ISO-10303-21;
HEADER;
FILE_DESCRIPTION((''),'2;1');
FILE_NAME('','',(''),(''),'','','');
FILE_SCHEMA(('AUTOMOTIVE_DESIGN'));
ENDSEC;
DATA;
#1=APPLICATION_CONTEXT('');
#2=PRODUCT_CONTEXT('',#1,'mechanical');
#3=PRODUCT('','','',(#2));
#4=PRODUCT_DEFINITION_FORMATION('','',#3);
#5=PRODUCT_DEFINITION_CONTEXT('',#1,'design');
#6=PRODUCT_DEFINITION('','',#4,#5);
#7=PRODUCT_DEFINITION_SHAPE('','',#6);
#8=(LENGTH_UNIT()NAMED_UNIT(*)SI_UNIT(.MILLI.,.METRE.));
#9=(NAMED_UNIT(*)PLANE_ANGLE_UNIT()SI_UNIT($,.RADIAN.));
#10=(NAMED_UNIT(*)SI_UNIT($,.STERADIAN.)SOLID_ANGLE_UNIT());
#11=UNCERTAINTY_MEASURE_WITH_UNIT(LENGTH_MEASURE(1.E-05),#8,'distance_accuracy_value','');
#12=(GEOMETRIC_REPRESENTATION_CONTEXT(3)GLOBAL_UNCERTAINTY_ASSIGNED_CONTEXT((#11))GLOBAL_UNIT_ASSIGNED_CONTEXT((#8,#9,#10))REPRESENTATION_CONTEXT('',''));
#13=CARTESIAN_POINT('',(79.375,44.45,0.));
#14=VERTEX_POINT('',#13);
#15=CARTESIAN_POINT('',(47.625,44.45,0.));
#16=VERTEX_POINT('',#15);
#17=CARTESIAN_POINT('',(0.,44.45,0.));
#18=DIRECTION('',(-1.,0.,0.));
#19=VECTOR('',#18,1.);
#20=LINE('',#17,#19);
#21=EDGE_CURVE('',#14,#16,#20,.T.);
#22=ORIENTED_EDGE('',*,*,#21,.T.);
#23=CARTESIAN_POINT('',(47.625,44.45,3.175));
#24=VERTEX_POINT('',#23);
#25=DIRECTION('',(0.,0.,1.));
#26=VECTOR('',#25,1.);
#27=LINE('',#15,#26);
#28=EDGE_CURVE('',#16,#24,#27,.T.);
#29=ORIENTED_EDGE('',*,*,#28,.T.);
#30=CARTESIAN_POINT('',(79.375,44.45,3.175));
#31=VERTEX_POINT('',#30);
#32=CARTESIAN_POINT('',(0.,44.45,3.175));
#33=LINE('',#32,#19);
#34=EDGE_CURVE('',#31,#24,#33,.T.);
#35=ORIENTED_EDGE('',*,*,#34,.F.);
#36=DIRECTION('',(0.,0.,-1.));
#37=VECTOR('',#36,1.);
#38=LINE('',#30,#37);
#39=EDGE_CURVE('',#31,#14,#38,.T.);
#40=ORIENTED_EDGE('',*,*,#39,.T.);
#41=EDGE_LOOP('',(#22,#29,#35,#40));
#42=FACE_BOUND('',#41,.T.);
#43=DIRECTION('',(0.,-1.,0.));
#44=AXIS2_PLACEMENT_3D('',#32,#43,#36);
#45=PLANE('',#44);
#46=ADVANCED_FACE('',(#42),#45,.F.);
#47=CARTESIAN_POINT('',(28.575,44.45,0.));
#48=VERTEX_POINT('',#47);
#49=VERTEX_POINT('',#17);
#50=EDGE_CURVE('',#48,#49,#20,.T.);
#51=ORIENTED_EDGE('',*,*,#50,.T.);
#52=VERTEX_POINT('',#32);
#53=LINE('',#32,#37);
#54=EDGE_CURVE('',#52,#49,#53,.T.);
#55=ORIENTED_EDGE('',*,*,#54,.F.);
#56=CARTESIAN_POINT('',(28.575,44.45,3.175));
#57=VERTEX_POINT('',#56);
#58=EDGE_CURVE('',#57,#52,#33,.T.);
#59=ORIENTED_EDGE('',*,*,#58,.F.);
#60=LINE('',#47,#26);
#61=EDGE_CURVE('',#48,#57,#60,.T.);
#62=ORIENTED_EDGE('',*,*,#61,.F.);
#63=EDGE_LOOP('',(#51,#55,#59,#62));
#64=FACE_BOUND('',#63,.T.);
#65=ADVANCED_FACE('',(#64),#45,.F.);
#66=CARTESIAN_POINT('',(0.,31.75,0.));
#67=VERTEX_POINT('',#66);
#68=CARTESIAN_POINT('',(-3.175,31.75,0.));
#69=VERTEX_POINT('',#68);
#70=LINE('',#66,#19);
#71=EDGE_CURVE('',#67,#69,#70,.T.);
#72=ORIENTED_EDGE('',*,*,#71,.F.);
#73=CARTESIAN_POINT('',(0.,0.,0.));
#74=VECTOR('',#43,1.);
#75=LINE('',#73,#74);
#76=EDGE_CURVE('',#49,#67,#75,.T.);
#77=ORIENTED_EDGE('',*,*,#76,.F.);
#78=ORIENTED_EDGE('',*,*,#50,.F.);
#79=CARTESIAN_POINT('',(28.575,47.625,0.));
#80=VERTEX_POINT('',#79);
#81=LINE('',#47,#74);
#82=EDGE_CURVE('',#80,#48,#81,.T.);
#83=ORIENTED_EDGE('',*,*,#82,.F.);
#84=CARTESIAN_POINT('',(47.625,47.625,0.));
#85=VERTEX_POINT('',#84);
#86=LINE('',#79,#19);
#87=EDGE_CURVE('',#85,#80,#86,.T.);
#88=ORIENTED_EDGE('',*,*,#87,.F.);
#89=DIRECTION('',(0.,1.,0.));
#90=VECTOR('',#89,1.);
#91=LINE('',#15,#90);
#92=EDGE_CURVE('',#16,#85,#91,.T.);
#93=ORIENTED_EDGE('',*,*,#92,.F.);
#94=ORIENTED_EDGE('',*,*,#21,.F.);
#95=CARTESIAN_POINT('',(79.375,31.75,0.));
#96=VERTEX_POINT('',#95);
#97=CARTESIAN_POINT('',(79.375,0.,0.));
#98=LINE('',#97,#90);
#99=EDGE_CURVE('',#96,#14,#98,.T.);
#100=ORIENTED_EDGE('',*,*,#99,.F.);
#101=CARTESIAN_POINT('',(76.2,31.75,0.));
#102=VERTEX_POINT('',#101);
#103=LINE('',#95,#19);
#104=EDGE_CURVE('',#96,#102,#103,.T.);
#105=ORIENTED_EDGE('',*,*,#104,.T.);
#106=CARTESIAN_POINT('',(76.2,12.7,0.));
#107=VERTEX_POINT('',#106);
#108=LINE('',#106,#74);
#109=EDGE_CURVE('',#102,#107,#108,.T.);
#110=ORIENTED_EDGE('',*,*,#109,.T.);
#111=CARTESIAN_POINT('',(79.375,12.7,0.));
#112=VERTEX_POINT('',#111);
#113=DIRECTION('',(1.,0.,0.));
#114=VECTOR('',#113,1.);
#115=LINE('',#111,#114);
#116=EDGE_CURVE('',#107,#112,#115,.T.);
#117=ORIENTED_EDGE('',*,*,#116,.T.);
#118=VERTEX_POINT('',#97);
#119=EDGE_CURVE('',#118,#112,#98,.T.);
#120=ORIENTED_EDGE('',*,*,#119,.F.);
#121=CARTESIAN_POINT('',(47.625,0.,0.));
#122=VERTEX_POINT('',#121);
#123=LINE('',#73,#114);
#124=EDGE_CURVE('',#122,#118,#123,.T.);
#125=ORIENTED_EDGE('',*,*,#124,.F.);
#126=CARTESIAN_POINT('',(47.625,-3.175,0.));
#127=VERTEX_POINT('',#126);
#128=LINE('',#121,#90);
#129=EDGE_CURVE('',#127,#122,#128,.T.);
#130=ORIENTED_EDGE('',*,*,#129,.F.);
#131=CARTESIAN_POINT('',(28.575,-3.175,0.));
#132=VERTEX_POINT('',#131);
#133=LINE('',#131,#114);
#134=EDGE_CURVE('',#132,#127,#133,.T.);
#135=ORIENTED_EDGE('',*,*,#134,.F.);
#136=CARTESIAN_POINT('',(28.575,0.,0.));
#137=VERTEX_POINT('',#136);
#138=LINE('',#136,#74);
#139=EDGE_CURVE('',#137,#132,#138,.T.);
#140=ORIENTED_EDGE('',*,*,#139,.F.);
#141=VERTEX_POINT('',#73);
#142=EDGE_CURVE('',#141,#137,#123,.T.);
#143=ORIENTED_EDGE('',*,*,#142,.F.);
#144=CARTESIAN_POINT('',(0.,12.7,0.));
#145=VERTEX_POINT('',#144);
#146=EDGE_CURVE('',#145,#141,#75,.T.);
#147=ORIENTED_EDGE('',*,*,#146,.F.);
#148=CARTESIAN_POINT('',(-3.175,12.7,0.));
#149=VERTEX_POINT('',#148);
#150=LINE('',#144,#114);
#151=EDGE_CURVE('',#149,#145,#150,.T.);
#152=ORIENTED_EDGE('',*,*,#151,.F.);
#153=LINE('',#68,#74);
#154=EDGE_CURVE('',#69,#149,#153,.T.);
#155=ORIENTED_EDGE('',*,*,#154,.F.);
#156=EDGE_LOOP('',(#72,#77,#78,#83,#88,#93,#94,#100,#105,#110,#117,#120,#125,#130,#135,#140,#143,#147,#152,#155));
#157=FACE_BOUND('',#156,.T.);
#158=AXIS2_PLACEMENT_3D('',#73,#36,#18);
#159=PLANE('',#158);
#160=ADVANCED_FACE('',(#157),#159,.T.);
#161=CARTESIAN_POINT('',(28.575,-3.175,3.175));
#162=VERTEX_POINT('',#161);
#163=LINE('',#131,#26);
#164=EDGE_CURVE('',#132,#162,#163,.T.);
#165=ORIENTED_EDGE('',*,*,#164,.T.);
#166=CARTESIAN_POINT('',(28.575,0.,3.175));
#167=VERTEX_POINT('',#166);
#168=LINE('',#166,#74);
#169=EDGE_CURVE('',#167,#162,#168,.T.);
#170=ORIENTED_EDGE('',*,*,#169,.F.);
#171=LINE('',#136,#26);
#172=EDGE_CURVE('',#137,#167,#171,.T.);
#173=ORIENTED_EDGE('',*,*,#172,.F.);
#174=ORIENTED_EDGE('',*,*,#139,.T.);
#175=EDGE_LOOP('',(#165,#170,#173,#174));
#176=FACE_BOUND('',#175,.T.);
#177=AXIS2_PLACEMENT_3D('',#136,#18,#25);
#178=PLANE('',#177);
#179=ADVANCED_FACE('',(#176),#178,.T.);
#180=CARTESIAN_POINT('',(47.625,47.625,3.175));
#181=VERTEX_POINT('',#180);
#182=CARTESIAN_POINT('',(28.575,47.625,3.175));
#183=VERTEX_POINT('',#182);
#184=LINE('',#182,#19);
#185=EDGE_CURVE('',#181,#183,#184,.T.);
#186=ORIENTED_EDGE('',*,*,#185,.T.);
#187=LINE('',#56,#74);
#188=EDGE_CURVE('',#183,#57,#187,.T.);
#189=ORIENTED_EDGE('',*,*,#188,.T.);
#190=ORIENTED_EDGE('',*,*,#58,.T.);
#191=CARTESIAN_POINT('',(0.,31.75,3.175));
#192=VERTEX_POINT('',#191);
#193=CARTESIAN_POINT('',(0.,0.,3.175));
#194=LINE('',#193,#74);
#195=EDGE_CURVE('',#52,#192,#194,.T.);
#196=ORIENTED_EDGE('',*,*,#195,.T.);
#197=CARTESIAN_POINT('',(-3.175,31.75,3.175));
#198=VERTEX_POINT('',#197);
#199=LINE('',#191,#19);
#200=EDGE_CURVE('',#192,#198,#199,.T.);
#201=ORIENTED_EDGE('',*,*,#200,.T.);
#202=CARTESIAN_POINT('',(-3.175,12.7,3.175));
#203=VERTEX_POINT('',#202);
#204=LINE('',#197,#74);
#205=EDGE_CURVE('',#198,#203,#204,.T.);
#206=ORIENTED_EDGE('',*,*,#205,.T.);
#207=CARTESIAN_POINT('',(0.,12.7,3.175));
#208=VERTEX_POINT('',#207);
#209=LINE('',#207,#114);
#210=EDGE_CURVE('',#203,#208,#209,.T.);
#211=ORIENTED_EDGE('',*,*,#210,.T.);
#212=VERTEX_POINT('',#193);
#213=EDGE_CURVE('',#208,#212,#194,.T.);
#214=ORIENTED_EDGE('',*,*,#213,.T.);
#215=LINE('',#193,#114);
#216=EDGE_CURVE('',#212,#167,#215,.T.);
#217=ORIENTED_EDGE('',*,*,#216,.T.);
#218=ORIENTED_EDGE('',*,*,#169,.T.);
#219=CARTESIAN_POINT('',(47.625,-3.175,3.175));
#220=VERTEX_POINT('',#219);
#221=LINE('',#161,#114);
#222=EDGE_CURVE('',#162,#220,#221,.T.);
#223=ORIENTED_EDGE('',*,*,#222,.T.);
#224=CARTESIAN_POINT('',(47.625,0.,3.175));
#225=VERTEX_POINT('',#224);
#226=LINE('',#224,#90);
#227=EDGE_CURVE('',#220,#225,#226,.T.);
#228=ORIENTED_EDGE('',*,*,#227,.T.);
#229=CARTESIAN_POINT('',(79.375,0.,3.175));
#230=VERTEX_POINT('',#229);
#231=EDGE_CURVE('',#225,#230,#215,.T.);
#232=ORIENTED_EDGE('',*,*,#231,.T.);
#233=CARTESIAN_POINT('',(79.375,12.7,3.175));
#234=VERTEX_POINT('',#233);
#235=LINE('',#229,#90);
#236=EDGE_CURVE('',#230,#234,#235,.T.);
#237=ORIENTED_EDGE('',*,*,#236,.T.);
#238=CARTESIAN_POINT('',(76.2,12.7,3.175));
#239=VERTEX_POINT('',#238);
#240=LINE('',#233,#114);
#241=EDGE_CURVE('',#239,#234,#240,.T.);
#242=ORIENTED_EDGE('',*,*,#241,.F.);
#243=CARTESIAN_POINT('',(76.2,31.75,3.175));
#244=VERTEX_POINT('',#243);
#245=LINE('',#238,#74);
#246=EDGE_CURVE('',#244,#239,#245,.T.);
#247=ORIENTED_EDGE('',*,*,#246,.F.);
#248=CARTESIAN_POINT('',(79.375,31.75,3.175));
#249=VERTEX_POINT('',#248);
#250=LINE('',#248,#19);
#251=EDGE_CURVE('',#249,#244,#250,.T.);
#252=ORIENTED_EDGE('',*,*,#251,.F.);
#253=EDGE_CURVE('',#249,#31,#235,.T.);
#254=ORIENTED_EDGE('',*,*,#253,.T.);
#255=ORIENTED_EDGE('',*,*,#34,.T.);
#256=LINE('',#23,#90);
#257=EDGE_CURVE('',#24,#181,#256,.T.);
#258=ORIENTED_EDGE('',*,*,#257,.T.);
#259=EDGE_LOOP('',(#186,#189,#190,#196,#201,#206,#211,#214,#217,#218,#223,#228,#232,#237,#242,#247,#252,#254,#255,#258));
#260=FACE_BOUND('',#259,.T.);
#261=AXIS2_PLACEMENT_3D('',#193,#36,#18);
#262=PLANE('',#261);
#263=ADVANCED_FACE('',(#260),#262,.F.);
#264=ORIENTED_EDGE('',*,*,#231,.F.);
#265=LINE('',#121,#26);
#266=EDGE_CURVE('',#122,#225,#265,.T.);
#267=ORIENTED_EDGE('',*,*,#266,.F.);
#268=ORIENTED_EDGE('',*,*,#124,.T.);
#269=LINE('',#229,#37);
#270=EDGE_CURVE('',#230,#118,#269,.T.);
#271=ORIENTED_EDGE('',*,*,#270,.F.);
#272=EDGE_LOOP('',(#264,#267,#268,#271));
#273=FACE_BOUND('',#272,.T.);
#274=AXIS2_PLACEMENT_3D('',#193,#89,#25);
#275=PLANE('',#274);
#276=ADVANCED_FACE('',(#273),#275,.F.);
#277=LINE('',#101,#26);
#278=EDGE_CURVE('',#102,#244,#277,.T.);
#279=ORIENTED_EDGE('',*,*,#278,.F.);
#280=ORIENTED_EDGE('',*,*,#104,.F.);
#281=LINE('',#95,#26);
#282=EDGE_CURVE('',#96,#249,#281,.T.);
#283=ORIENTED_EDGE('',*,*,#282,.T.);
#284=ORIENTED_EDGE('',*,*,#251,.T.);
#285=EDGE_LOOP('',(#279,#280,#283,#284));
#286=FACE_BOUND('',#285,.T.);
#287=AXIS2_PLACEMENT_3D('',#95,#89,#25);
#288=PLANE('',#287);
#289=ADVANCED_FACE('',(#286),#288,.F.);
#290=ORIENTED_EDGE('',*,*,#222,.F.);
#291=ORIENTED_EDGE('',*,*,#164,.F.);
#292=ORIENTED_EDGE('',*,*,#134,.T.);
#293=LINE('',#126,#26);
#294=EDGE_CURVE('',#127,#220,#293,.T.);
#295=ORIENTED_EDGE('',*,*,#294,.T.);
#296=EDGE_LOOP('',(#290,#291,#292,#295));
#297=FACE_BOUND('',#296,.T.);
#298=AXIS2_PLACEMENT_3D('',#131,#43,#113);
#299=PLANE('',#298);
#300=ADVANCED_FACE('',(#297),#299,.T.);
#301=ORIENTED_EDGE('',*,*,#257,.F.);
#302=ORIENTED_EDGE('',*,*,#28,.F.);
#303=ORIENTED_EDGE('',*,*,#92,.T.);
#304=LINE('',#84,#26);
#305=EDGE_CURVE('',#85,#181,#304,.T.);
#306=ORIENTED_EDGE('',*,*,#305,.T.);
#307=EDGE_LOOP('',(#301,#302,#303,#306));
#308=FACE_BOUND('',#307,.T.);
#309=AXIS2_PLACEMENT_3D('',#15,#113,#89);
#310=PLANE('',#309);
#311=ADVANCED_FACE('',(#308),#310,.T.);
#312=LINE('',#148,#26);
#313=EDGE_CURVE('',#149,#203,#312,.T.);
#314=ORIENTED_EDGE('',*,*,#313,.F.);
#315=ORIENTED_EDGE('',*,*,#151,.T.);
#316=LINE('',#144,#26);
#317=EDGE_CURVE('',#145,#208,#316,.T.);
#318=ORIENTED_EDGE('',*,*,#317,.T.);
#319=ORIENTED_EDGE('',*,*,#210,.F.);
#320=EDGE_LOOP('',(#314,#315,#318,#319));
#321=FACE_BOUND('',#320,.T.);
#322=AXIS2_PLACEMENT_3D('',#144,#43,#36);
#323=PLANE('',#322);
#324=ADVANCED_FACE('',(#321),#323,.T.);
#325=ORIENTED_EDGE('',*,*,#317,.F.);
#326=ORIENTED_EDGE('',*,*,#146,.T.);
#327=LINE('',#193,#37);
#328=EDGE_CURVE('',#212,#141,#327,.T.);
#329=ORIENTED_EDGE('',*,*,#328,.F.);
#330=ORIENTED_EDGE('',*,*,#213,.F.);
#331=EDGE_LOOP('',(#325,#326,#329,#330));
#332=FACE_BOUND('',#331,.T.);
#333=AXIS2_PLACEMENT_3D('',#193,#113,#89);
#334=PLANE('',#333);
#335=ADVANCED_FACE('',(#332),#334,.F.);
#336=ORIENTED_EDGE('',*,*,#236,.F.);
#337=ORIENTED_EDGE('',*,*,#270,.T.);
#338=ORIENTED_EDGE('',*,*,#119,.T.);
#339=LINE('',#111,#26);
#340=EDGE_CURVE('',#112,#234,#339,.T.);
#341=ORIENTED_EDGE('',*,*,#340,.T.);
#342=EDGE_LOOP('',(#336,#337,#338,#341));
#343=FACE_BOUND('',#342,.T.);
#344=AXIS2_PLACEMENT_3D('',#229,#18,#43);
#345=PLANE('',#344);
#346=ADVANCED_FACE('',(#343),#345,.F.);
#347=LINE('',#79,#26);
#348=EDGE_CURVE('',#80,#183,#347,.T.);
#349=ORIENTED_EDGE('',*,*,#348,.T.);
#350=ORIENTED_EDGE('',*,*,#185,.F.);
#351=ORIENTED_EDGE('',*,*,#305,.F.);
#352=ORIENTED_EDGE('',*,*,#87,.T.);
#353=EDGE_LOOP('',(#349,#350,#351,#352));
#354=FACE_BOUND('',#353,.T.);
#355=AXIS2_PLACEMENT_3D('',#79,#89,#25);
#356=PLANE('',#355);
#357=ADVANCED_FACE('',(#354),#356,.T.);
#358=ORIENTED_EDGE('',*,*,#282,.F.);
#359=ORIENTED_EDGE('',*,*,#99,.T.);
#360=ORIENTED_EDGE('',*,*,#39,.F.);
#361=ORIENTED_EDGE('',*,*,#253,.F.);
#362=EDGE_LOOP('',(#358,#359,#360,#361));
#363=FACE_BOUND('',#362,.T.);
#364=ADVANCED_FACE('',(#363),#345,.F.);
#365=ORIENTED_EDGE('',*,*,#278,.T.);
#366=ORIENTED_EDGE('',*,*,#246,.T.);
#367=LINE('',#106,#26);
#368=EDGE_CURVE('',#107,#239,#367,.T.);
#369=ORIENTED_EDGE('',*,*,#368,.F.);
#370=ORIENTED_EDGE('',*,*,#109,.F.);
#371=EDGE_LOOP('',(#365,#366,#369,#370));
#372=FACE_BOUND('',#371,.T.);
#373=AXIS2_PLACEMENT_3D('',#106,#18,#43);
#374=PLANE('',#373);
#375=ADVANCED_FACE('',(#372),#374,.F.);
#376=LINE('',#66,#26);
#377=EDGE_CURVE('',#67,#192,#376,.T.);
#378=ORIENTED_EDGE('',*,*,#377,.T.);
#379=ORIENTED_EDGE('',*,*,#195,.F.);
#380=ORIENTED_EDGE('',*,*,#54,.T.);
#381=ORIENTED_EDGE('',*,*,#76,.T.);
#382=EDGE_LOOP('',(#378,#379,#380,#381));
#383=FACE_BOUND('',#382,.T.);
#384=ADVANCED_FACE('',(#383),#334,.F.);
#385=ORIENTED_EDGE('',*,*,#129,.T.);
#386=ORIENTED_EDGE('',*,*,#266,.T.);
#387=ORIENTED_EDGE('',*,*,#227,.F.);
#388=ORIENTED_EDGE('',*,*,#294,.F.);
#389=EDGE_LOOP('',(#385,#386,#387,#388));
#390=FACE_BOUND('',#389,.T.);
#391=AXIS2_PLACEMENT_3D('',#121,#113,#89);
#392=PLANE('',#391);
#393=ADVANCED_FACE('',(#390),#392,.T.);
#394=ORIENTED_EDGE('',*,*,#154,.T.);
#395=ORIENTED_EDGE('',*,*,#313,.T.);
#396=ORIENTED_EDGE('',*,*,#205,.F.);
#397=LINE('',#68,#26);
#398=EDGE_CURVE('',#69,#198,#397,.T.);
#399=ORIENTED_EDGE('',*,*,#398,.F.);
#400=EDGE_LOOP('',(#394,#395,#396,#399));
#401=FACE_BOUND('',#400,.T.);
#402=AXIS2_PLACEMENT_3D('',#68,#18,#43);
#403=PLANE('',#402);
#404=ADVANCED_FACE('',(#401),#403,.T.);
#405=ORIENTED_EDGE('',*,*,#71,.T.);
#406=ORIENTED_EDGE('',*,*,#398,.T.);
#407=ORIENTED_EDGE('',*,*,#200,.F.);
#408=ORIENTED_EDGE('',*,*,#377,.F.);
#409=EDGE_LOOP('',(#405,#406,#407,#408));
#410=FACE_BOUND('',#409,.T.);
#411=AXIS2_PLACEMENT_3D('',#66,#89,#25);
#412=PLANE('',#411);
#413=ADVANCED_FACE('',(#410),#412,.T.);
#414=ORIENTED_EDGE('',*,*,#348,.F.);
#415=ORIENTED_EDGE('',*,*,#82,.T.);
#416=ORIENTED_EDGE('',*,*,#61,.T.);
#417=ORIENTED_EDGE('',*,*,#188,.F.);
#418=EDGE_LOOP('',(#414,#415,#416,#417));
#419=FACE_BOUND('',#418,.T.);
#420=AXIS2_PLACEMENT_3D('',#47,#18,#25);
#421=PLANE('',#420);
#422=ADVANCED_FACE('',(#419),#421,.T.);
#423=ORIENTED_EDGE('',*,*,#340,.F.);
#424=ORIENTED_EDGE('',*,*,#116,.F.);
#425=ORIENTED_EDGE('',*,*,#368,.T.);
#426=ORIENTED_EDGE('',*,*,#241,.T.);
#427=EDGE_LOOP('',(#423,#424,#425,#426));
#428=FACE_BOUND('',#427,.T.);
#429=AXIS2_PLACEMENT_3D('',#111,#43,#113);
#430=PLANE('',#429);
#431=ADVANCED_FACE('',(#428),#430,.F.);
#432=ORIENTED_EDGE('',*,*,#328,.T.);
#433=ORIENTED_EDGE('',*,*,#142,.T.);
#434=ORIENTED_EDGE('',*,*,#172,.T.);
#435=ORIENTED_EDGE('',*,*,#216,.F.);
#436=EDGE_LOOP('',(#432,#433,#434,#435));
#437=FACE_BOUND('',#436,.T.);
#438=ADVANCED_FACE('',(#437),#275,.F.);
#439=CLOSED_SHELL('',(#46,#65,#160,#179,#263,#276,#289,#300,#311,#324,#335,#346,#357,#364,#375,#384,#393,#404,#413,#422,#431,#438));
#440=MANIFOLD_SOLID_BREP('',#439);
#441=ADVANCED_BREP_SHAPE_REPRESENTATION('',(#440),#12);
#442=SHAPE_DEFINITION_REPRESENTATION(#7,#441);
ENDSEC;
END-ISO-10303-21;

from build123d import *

# Parameters (mm, degrees)
SKETCH1_W           = 79.375
SKETCH1_H           = 44.45
BOSS_EXTRUDE1_DEPTH = 3.175
SKETCH2_W           = 3.175
SKETCH2_H           = 19.05
BOSS_EXTRUDE2_DEPTH = 3.175
SKETCH5_W           = 19.05
SKETCH5_H           = 3.175
BOSS_EXTRUDE3_DEPTH = 3.175
SKETCH3_W           = 3.175
SKETCH3_H           = 19.05
CUT_EXTRUDE1_DEPTH  = 3.175


with BuildPart() as part:
    # Sketch1 → Boss-Extrude1 (new body)
    with BuildSketch(Plane.XY):
        with Locations((39.6875, 22.225)):
            Rectangle(SKETCH1_W, SKETCH1_H)
    extrude(amount=BOSS_EXTRUDE1_DEPTH)

    # Sketch2 → Boss-Extrude2 (add)
    with BuildSketch(Plane.XY.offset(3.175)):
        with Locations((-1.5875, 22.225)):
            Rectangle(SKETCH2_W, SKETCH2_H)
    extrude(amount=-BOSS_EXTRUDE2_DEPTH)

    # Sketch5 → Boss-Extrude3 (add)
    with BuildSketch(Plane.XY.offset(3.175)):
        with Locations((38.1, 46.0375)):
            Rectangle(SKETCH5_W, SKETCH5_H)
        with Locations((38.1, -1.5875)):
            Rectangle(SKETCH5_W, SKETCH5_H)
    extrude(amount=-BOSS_EXTRUDE3_DEPTH)

    # Sketch3 → Cut-Extrude1 (cut)
    with BuildSketch(Plane.XY.offset(3.175)):
        with Locations((77.7875, 22.225)):
            Rectangle(SKETCH3_W, SKETCH3_H)
    extrude(amount=-CUT_EXTRUDE1_DEPTH, mode=Mode.SUBTRACT)


solid = part.part
